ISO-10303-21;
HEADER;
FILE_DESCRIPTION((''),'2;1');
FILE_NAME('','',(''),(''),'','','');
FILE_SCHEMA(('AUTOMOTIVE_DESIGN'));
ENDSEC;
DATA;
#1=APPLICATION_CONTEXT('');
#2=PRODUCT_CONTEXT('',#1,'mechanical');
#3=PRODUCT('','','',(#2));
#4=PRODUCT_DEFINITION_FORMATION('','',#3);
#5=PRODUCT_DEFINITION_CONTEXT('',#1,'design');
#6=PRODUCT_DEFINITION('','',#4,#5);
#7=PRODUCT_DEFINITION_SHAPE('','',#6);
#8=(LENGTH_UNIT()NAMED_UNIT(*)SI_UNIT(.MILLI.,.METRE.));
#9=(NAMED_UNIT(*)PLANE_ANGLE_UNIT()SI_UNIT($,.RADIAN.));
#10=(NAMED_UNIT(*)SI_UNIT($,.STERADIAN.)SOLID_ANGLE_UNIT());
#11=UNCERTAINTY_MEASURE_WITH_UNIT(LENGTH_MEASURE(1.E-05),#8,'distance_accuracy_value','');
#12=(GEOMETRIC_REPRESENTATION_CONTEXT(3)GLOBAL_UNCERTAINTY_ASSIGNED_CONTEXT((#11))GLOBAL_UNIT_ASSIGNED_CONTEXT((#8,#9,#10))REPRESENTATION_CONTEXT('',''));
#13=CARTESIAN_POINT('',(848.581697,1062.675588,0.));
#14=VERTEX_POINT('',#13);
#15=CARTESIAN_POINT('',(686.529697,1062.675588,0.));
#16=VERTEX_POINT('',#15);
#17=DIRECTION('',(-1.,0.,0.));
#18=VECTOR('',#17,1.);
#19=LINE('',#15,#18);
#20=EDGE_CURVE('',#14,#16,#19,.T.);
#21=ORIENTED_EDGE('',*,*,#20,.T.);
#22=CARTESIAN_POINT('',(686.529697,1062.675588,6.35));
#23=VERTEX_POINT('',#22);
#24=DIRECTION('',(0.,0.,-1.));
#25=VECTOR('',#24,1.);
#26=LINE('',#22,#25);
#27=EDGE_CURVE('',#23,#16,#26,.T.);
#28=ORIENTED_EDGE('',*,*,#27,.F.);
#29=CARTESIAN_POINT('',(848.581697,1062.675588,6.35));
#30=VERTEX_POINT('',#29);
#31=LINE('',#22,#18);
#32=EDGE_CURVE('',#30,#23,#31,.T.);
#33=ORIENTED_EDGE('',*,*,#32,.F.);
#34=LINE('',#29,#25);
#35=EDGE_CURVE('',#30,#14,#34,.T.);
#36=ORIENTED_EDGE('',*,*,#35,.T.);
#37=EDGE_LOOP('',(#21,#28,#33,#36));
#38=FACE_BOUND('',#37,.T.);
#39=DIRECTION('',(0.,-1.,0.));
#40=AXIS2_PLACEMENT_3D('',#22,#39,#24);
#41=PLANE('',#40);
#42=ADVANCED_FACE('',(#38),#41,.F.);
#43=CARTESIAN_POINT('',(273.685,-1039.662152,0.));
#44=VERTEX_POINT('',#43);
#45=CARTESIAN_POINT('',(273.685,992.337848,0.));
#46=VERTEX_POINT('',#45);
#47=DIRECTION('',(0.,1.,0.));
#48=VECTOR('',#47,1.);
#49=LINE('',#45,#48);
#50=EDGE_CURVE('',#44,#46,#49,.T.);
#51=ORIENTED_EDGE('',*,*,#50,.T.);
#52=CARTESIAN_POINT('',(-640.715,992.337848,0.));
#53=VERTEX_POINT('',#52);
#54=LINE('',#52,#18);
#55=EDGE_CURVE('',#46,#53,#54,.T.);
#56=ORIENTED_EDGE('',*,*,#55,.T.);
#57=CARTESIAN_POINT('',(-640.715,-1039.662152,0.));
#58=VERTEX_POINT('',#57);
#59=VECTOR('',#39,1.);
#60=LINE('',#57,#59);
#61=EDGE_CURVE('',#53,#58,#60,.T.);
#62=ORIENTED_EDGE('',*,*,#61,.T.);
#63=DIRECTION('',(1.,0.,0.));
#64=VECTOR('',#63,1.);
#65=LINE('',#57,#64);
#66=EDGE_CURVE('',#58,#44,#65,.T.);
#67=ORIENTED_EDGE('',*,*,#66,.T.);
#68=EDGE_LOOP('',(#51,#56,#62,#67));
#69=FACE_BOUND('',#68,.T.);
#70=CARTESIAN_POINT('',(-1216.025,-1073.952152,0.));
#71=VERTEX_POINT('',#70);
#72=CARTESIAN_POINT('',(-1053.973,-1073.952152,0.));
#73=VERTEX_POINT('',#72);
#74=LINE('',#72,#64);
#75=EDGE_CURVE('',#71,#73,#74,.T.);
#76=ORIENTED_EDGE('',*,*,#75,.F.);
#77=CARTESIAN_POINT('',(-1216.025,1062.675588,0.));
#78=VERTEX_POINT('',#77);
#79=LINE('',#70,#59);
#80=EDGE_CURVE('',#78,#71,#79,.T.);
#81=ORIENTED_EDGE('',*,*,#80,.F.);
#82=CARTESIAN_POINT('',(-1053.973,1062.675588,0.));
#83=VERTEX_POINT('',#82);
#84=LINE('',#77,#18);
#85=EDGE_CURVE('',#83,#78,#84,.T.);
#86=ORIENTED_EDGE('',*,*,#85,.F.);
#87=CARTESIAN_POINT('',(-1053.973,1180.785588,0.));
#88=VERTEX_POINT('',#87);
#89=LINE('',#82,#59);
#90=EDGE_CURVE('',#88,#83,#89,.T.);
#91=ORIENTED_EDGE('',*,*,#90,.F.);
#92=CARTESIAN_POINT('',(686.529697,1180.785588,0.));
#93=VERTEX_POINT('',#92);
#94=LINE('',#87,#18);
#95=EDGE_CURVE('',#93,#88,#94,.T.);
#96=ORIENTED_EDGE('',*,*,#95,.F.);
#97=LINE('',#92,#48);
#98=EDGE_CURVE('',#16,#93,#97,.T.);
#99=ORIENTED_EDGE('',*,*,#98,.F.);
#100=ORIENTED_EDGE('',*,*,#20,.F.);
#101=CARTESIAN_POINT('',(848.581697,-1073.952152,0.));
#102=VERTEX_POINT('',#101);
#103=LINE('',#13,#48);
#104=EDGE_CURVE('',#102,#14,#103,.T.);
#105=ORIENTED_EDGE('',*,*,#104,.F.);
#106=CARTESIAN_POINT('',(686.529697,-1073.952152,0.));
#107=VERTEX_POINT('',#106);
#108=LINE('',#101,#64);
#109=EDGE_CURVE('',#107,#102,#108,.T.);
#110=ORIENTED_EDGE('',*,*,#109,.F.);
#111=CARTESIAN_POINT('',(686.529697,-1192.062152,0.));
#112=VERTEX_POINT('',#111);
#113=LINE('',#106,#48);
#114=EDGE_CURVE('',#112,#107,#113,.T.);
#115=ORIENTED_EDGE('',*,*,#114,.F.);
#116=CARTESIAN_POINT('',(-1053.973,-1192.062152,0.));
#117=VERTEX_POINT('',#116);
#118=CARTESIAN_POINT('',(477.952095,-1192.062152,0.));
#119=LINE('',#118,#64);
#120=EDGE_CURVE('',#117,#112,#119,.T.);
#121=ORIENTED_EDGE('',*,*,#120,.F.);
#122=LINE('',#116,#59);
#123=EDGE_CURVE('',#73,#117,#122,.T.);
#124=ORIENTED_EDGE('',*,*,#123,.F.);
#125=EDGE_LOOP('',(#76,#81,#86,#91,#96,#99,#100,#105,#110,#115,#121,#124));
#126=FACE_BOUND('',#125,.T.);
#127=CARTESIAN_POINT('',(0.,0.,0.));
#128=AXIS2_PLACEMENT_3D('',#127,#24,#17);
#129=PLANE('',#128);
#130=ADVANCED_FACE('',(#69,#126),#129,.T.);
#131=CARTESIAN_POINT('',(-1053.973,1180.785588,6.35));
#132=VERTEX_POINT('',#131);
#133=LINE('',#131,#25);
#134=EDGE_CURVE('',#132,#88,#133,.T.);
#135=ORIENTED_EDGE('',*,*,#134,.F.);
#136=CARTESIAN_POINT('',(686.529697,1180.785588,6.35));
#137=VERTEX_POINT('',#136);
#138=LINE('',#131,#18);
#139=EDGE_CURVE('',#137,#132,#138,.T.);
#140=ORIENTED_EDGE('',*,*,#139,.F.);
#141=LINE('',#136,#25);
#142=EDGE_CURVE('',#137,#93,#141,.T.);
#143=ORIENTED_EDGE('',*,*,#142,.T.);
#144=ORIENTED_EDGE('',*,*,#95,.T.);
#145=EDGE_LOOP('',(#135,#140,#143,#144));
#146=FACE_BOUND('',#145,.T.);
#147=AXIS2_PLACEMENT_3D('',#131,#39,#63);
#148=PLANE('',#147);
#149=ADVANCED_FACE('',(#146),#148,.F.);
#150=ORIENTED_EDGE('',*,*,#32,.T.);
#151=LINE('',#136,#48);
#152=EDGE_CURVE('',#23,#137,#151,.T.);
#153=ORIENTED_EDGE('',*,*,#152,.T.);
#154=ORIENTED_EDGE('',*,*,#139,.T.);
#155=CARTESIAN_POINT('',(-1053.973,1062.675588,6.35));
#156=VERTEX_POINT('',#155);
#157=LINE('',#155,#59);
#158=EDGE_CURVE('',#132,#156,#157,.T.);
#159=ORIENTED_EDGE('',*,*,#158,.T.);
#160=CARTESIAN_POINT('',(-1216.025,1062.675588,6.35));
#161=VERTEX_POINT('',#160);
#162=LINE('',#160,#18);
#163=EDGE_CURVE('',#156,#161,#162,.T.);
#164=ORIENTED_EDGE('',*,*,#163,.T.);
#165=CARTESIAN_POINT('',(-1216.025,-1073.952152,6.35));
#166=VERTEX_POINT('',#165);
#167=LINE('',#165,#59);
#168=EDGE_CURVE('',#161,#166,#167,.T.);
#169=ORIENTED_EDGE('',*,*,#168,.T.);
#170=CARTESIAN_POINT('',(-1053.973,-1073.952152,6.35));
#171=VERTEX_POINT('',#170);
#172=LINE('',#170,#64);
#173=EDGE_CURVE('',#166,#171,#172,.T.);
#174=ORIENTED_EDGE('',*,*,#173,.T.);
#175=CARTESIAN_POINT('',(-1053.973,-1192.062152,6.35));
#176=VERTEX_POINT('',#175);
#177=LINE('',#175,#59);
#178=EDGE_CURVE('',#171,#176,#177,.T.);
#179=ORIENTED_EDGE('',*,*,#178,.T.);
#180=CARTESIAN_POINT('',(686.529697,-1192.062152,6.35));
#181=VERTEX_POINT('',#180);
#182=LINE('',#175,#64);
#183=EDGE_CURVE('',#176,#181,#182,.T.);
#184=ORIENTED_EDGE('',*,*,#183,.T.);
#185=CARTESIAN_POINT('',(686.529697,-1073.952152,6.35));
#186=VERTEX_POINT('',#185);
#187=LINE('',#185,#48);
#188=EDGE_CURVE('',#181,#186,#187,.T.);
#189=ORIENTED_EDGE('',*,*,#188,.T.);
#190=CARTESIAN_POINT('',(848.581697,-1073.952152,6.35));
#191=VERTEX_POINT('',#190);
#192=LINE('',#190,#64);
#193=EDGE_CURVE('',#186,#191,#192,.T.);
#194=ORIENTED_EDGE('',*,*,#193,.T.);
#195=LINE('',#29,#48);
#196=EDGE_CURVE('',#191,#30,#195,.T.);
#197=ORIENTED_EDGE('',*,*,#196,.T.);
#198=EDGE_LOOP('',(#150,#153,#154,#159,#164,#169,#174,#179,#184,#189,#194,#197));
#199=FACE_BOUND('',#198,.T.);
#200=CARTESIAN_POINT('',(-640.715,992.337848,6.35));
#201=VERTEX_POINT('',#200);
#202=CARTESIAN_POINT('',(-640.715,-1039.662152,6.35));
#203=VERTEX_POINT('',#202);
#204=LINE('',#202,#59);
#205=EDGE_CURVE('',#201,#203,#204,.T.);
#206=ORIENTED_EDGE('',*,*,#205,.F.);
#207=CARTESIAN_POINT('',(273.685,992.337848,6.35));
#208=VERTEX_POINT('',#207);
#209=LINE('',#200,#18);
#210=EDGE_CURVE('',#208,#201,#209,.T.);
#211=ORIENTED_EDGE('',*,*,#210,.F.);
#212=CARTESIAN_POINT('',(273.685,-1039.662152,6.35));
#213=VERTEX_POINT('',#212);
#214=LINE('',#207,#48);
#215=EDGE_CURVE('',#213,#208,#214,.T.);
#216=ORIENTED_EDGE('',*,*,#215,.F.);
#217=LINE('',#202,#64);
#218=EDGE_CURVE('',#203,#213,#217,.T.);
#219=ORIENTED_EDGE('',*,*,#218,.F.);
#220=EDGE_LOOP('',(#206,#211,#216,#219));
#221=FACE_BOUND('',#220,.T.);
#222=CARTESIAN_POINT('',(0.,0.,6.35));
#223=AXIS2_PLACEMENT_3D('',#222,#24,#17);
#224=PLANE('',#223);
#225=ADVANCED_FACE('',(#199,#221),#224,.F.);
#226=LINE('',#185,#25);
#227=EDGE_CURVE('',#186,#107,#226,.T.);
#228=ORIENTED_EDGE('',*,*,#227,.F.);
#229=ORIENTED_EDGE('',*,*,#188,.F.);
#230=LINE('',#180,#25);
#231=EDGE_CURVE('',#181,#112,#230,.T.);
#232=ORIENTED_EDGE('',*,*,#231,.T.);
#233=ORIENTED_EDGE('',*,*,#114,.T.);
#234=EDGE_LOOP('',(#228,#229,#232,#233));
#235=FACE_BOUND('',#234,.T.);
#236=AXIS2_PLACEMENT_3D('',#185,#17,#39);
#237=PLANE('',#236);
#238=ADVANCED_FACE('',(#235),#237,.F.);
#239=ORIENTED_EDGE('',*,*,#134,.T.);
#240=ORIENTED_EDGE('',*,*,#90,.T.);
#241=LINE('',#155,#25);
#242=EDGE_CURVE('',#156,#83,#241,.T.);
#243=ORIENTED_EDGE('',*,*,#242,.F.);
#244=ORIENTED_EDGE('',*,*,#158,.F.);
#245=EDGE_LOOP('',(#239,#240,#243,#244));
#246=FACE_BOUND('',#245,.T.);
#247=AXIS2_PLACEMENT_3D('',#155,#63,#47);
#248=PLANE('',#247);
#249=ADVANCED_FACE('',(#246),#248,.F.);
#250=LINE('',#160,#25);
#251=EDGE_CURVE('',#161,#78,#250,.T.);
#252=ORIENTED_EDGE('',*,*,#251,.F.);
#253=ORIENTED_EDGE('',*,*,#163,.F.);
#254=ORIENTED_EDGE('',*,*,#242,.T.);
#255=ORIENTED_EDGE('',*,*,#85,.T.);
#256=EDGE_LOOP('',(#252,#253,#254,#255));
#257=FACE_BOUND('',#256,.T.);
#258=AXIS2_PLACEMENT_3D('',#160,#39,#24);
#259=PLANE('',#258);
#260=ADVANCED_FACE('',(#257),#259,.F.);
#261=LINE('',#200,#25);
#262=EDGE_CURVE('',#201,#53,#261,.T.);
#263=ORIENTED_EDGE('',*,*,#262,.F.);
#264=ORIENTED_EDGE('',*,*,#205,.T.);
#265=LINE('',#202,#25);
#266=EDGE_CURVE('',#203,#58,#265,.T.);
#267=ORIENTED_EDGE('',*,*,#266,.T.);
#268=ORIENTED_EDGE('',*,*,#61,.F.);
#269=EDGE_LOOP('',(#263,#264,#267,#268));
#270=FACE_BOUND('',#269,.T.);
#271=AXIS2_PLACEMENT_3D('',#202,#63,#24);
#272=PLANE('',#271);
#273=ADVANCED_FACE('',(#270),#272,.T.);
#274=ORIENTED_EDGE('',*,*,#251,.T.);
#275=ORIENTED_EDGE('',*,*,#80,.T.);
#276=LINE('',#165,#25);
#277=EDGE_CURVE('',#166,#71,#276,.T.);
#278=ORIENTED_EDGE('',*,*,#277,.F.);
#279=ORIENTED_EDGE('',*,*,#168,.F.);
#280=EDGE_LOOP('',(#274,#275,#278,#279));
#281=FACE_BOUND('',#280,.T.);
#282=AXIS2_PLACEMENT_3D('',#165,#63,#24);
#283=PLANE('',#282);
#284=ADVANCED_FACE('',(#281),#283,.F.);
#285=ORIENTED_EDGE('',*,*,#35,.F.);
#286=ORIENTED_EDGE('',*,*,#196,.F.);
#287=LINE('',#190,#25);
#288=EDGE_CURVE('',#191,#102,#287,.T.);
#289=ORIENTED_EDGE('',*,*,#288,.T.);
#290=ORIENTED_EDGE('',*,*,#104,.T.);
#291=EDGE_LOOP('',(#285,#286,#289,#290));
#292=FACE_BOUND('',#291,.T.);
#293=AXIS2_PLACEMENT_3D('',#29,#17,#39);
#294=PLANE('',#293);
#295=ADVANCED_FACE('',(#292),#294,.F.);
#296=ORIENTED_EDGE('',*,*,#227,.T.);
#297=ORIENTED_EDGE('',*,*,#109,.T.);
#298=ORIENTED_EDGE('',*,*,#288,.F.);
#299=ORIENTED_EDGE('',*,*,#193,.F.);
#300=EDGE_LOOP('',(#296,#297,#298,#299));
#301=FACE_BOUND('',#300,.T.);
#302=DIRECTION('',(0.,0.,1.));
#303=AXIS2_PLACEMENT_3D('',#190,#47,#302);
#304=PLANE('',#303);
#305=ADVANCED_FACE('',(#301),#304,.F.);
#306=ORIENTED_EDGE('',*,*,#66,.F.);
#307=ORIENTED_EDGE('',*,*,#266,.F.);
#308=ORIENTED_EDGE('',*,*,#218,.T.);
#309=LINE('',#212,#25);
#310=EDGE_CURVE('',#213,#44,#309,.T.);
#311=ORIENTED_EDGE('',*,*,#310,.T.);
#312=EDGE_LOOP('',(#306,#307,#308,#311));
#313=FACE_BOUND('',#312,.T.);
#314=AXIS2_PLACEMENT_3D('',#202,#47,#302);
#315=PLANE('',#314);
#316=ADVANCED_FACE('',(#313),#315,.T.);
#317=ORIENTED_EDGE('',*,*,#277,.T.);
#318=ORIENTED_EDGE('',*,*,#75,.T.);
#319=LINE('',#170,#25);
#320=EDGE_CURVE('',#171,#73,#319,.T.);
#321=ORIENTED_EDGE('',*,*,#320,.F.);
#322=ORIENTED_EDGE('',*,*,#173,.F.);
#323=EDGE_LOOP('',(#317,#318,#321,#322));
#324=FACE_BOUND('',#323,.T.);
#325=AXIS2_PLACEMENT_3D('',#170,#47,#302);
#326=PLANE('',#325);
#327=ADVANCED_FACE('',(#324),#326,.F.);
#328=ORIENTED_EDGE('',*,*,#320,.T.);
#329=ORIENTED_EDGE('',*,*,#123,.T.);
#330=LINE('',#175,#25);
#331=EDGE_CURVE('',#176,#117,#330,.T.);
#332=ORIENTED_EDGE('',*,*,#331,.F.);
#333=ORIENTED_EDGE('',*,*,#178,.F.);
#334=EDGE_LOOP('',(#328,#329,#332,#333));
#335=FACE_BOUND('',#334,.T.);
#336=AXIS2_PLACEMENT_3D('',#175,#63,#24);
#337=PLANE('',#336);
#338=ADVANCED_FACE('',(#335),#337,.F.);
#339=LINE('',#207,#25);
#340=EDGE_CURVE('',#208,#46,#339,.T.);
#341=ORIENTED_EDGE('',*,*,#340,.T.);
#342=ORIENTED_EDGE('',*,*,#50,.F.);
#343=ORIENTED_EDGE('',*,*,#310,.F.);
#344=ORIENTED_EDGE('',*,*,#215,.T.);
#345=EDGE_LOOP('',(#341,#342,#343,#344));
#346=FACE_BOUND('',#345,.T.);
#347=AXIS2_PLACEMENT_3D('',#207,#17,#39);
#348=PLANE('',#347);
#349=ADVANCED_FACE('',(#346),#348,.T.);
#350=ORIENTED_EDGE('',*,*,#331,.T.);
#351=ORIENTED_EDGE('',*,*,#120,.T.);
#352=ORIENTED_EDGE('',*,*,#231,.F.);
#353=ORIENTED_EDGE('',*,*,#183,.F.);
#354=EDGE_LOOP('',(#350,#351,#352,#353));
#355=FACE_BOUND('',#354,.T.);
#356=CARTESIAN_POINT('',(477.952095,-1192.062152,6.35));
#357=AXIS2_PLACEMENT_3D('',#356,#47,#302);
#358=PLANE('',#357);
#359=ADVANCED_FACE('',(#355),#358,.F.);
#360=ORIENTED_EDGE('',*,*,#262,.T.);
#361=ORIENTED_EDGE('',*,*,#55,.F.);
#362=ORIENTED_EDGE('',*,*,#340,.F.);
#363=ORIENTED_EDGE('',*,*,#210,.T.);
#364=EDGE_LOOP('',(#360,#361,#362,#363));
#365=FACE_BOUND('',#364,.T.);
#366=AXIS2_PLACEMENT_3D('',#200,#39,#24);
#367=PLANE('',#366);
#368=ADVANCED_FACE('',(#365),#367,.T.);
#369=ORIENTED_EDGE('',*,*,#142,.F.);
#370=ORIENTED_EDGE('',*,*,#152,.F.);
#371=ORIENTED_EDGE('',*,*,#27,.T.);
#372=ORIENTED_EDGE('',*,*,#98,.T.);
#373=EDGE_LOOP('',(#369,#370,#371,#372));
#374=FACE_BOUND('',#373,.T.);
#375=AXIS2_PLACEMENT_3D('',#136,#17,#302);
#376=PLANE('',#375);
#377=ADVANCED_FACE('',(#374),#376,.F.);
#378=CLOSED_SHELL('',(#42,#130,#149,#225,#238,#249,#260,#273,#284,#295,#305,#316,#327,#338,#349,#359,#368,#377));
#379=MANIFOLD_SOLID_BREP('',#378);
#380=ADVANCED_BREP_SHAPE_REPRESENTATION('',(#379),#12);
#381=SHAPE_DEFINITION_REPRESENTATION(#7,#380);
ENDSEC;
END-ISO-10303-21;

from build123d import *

# Parameters (mm, degrees)
SKETCH1_W           = 914.4
SKETCH1_H           = 2032
BOSS_EXTRUDE2_DEPTH = 6.35


with BuildPart() as part:
    # Sketch1 → Boss-Extrude2 (new body)
    with BuildSketch(Plane.XY):
        Polygon((686.529697289, 1180.785588374), (686.529697289, 1062.675588374), (848.581697289, 1062.675588374), (848.581697289, -1073.952151658), (686.529697289, -1073.952151658), (686.529697289, -1192.062151658), (477.952095391, -1192.062151658), (-436.447904609, -1192.062151658), (-1053.973, -1192.062151658), (-1053.973, -1073.952151658), (-1216.025, -1073.952151658), (-1216.025, 1062.675588374), (-1053.973, 1062.675588374), (-1053.973, 1180.785588374), align=None)
        with Locations((-183.515, -23.662151658)):
            Rectangle(SKETCH1_W, SKETCH1_H, mode=Mode.SUBTRACT)
    extrude(amount=BOSS_EXTRUDE2_DEPTH)


solid = part.part
